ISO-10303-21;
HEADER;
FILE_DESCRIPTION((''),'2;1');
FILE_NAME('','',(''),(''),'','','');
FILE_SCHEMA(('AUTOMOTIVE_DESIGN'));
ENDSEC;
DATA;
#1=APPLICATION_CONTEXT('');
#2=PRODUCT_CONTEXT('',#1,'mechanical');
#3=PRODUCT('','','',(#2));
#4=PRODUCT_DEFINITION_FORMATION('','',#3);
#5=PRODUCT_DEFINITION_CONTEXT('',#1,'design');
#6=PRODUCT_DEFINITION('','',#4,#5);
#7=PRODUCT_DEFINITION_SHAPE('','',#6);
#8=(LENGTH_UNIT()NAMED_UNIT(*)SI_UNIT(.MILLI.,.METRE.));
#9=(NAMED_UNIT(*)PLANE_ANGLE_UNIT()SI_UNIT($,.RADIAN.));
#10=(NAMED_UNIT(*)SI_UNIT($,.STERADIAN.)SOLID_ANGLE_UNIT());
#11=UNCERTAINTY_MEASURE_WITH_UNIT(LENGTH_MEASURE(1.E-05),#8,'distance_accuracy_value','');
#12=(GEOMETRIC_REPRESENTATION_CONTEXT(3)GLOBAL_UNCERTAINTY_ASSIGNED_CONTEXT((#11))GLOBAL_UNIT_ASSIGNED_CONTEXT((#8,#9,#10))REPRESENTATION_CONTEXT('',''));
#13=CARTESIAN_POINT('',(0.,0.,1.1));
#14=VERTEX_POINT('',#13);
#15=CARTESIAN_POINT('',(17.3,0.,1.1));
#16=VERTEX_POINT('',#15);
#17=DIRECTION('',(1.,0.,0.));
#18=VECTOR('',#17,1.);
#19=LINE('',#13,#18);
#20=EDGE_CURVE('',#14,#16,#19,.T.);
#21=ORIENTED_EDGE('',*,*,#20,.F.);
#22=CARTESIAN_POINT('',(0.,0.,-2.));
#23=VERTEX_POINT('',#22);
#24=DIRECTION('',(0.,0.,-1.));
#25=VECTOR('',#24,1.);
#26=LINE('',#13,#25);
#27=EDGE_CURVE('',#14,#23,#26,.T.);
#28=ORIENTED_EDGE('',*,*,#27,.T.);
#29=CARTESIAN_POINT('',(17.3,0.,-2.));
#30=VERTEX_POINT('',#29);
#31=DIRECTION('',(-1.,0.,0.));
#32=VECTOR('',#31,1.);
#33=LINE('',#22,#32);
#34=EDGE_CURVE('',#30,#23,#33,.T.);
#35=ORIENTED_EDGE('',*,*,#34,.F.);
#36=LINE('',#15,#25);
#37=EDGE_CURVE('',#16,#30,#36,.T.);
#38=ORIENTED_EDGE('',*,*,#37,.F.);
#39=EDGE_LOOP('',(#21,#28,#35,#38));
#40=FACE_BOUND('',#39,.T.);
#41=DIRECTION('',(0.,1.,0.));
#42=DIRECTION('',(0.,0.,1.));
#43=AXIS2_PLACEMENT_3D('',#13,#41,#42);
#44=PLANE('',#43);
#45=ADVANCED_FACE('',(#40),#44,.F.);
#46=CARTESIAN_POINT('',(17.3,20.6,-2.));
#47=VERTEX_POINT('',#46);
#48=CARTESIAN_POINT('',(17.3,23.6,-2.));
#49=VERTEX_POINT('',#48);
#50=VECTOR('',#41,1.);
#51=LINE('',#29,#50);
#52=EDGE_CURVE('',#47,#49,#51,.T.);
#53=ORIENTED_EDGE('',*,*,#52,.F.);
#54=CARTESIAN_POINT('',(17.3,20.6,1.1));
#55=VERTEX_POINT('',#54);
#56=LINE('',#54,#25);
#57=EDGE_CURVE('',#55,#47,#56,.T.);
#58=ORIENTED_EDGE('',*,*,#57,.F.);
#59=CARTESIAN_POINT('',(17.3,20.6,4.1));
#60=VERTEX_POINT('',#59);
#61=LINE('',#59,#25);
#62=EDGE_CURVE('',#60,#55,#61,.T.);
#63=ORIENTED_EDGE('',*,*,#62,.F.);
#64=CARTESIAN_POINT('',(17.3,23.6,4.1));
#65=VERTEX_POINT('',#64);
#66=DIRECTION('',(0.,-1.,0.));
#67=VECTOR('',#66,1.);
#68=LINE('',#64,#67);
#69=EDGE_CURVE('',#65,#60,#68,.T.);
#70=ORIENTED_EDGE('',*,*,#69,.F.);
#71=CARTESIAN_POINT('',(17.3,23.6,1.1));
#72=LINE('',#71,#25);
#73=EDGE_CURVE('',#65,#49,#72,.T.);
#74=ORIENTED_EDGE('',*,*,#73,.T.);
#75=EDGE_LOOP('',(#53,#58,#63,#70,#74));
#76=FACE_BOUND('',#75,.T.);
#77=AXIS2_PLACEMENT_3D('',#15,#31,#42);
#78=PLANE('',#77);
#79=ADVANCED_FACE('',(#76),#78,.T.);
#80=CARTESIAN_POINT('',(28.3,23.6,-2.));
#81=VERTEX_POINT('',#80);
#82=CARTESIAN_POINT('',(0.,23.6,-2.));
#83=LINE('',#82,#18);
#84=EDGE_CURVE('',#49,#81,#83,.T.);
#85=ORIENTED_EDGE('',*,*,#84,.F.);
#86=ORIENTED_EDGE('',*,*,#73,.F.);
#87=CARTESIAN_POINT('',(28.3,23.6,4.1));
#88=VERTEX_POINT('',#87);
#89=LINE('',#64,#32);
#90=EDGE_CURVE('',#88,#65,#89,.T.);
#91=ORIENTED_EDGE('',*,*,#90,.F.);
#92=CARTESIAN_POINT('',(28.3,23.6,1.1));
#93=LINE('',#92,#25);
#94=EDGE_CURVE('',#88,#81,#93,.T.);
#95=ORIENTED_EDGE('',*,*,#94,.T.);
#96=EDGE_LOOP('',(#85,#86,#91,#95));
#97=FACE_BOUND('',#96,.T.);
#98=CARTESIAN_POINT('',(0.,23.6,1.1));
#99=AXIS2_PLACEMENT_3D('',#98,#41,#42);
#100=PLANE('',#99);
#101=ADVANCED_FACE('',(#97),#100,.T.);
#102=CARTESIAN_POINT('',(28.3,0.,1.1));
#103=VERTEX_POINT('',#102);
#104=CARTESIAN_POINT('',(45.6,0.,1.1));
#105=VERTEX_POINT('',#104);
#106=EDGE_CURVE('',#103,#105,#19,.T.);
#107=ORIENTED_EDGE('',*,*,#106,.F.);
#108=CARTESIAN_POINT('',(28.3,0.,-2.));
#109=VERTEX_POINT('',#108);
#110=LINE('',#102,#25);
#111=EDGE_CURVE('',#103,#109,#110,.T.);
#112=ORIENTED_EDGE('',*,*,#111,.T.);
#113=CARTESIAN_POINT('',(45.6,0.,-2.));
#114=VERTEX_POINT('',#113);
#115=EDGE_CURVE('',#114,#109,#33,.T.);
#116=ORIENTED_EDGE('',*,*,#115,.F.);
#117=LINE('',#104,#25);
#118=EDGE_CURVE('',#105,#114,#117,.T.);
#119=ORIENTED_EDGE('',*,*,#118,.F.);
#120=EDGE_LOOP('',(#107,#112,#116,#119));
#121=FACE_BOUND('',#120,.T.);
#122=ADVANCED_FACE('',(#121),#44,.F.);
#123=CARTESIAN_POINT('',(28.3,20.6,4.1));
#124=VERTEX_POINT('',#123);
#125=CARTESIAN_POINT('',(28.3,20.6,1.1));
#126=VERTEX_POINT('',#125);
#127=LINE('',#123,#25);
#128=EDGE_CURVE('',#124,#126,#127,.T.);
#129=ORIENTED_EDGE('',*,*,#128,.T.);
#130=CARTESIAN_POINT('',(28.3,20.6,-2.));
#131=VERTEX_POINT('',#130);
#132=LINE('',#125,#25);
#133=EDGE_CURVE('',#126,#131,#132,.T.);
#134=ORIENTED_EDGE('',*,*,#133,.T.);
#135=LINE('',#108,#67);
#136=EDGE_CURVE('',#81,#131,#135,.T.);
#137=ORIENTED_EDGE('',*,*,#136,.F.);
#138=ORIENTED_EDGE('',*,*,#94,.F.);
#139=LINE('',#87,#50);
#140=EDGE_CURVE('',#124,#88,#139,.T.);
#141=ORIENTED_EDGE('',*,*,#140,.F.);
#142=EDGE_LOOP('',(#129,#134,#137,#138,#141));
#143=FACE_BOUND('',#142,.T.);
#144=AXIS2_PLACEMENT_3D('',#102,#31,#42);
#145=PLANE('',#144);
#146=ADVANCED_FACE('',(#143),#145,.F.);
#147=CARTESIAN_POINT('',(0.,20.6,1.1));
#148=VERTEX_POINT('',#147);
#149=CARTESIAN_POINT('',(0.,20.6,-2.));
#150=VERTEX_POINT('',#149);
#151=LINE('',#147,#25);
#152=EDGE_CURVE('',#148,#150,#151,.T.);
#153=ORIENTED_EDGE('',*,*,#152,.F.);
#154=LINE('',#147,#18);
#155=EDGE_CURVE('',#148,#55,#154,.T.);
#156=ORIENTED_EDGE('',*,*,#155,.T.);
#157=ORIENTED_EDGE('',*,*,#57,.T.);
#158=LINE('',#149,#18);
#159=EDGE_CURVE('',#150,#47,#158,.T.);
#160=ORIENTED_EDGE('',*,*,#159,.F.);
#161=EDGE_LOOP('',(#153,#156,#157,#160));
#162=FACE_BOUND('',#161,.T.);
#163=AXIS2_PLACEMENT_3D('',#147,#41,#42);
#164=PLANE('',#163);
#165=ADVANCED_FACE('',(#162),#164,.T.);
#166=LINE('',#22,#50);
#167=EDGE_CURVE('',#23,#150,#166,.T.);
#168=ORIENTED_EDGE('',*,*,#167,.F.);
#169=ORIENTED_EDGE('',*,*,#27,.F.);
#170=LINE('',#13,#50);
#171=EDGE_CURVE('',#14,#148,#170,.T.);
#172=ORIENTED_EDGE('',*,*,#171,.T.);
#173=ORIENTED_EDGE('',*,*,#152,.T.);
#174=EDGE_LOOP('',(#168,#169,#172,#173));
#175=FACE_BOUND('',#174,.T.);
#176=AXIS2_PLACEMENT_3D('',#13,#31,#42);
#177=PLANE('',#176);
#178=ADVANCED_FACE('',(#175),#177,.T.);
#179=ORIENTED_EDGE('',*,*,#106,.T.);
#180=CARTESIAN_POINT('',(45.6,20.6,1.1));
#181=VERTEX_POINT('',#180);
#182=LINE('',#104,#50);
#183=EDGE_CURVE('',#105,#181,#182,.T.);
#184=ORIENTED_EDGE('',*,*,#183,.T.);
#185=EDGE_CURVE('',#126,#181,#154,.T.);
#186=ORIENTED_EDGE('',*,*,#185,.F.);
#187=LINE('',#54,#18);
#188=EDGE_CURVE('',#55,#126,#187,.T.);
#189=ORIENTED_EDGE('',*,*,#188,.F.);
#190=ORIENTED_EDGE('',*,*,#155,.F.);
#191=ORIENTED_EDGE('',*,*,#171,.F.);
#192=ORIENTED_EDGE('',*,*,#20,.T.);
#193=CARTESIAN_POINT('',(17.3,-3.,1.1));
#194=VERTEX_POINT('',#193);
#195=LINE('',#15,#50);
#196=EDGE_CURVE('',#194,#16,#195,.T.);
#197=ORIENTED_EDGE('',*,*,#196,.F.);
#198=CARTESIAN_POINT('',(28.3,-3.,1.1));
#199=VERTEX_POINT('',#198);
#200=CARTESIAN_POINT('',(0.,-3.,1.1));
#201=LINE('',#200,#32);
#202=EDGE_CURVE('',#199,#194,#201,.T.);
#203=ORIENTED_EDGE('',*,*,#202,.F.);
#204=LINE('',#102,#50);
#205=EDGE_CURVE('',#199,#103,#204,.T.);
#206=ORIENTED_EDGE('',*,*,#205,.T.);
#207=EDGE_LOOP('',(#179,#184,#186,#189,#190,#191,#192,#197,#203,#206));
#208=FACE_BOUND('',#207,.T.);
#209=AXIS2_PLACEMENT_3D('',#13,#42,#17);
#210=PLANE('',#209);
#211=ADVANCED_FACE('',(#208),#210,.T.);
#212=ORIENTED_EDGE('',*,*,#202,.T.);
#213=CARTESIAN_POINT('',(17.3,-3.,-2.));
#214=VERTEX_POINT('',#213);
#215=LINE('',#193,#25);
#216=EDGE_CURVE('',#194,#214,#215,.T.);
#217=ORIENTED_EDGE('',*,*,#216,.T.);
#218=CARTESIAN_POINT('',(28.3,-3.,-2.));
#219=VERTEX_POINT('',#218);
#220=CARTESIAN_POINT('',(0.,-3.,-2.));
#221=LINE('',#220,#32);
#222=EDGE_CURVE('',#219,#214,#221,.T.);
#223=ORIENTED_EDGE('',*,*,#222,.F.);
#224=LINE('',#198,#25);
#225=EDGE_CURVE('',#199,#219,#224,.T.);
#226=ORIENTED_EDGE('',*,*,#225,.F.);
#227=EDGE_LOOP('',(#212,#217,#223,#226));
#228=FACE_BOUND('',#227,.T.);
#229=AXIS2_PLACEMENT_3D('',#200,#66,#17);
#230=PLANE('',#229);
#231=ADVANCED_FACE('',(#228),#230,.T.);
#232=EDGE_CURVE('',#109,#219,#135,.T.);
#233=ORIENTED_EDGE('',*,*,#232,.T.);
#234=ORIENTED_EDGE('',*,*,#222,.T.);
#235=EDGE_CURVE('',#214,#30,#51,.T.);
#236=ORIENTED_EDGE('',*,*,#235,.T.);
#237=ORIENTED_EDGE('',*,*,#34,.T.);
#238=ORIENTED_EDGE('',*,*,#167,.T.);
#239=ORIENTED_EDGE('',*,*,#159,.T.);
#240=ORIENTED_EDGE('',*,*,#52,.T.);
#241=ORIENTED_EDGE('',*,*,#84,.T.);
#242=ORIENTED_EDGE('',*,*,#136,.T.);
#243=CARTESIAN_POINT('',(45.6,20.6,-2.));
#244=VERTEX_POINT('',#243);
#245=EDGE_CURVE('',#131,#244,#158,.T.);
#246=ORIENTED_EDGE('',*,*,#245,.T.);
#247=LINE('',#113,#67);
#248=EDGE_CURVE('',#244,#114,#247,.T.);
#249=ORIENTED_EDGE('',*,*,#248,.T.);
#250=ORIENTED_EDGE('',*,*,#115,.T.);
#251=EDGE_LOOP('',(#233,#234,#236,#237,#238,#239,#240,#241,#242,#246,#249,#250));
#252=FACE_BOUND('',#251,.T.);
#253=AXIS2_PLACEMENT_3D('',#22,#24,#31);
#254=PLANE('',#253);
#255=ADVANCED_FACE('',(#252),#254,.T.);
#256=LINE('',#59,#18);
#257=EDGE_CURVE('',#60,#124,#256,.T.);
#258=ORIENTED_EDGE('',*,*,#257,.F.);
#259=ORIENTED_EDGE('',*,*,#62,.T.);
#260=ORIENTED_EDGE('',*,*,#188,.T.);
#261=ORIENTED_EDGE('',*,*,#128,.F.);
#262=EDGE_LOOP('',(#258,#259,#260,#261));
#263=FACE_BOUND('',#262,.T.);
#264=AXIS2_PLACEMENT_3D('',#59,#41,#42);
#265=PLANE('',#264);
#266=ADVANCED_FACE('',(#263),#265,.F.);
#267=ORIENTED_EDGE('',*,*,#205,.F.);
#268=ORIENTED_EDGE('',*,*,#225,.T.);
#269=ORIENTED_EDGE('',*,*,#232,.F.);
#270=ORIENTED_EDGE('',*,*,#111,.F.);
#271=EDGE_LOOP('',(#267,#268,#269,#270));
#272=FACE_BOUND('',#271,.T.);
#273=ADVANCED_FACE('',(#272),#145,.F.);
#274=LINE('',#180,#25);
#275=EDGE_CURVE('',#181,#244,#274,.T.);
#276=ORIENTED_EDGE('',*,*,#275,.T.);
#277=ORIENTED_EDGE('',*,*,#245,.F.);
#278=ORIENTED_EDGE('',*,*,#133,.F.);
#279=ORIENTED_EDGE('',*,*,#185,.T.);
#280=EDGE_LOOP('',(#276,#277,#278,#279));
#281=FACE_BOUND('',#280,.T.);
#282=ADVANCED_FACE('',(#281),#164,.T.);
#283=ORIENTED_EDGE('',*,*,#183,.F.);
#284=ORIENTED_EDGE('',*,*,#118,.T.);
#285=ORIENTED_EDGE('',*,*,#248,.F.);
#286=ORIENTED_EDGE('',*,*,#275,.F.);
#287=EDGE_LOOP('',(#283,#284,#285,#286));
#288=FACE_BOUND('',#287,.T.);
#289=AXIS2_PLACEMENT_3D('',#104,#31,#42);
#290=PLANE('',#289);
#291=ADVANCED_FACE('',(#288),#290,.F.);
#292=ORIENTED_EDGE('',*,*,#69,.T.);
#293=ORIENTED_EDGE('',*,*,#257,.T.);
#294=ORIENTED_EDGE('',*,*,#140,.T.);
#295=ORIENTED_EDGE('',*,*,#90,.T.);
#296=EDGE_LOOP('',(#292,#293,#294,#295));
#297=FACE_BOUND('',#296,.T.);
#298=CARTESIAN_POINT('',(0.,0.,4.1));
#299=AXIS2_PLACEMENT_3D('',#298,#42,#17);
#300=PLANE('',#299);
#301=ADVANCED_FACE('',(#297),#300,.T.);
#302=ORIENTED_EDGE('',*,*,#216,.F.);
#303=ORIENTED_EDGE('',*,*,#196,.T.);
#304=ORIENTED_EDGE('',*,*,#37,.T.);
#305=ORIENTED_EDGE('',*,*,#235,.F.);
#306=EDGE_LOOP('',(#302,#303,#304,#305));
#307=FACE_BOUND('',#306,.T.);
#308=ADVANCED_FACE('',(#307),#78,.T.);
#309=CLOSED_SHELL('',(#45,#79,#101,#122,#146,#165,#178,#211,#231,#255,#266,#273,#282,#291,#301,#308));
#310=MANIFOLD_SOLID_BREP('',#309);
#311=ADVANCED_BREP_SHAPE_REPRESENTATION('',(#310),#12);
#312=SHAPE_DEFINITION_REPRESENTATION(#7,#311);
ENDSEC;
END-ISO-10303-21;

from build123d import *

# Parameters (mm, degrees)
SKETCH1_W           = 17.3
SKETCH1_H           = 20.6
SKETCH1_W_2         = 5.5
SKETCH1_H_2         = 3
BOSS_EXTRUDE1_DEPTH = 1.1
SKETCH2_W           = 11
SKETCH2_H           = 3
BOSS_EXTRUDE2_DEPTH = 3
SKETCH3_W           = 17.3
SKETCH3_H           = 20.6
SKETCH3_W_2         = 11
SKETCH3_H_2         = 3
BOSS_EXTRUDE3_DEPTH = 2


with BuildPart() as part:
    # Sketch1 → Boss-Extrude1 (new body)
    with BuildSketch(Plane.XY):
        with Locations((8.65, 10.3)):
            Rectangle(SKETCH1_W, SKETCH1_H)
        with Locations((20.05, 22.1)):
            Rectangle(SKETCH1_W_2, SKETCH1_H_2)
        with Locations((25.55, 22.1)):
            Rectangle(SKETCH1_W_2, SKETCH1_H_2)
        Polygon((28.3, 20.6), (22.8, 20.6), (17.3, 20.6), (17.3, 0), (22.8, 0), (28.3, 0), align=None)
        with Locations((36.95, 10.3)):
            Rectangle(SKETCH1_W, SKETCH1_H)
        with Locations((25.55, -1.5)):
            Rectangle(SKETCH1_W_2, SKETCH1_H_2)
        with Locations((20.05, -1.5)):
            Rectangle(SKETCH1_W_2, SKETCH1_H_2)
    extrude(amount=BOSS_EXTRUDE1_DEPTH)

    # Sketch2 → Boss-Extrude2 (add)
    with BuildSketch(Plane.XY.offset(1.1)):
        with Locations((22.8, 22.1)):
            Rectangle(SKETCH2_W, SKETCH2_H)
    extrude(amount=BOSS_EXTRUDE2_DEPTH)

    # Sketch3 → Boss-Extrude3 (add)
    with BuildSketch(Plane(origin=(0, 0, 0), x_dir=(-1, 0, 0), z_dir=(0, 0, -1))):
        with Locations((-36.95, 10.3)):
            Rectangle(SKETCH3_W, SKETCH3_H)
        with Locations((-22.8, 22.1)):
            Rectangle(SKETCH3_W_2, SKETCH3_H_2)
        with Locations((-22.8, 10.3)):
            Rectangle(SKETCH3_W_2, SKETCH3_H)
        with Locations((-8.65, 10.3)):
            Rectangle(SKETCH3_W, SKETCH3_H)
        with Locations((-22.8, -1.5)):
            Rectangle(SKETCH3_W_2, SKETCH3_H_2)
    extrude(amount=BOSS_EXTRUDE3_DEPTH)


solid = part.part
